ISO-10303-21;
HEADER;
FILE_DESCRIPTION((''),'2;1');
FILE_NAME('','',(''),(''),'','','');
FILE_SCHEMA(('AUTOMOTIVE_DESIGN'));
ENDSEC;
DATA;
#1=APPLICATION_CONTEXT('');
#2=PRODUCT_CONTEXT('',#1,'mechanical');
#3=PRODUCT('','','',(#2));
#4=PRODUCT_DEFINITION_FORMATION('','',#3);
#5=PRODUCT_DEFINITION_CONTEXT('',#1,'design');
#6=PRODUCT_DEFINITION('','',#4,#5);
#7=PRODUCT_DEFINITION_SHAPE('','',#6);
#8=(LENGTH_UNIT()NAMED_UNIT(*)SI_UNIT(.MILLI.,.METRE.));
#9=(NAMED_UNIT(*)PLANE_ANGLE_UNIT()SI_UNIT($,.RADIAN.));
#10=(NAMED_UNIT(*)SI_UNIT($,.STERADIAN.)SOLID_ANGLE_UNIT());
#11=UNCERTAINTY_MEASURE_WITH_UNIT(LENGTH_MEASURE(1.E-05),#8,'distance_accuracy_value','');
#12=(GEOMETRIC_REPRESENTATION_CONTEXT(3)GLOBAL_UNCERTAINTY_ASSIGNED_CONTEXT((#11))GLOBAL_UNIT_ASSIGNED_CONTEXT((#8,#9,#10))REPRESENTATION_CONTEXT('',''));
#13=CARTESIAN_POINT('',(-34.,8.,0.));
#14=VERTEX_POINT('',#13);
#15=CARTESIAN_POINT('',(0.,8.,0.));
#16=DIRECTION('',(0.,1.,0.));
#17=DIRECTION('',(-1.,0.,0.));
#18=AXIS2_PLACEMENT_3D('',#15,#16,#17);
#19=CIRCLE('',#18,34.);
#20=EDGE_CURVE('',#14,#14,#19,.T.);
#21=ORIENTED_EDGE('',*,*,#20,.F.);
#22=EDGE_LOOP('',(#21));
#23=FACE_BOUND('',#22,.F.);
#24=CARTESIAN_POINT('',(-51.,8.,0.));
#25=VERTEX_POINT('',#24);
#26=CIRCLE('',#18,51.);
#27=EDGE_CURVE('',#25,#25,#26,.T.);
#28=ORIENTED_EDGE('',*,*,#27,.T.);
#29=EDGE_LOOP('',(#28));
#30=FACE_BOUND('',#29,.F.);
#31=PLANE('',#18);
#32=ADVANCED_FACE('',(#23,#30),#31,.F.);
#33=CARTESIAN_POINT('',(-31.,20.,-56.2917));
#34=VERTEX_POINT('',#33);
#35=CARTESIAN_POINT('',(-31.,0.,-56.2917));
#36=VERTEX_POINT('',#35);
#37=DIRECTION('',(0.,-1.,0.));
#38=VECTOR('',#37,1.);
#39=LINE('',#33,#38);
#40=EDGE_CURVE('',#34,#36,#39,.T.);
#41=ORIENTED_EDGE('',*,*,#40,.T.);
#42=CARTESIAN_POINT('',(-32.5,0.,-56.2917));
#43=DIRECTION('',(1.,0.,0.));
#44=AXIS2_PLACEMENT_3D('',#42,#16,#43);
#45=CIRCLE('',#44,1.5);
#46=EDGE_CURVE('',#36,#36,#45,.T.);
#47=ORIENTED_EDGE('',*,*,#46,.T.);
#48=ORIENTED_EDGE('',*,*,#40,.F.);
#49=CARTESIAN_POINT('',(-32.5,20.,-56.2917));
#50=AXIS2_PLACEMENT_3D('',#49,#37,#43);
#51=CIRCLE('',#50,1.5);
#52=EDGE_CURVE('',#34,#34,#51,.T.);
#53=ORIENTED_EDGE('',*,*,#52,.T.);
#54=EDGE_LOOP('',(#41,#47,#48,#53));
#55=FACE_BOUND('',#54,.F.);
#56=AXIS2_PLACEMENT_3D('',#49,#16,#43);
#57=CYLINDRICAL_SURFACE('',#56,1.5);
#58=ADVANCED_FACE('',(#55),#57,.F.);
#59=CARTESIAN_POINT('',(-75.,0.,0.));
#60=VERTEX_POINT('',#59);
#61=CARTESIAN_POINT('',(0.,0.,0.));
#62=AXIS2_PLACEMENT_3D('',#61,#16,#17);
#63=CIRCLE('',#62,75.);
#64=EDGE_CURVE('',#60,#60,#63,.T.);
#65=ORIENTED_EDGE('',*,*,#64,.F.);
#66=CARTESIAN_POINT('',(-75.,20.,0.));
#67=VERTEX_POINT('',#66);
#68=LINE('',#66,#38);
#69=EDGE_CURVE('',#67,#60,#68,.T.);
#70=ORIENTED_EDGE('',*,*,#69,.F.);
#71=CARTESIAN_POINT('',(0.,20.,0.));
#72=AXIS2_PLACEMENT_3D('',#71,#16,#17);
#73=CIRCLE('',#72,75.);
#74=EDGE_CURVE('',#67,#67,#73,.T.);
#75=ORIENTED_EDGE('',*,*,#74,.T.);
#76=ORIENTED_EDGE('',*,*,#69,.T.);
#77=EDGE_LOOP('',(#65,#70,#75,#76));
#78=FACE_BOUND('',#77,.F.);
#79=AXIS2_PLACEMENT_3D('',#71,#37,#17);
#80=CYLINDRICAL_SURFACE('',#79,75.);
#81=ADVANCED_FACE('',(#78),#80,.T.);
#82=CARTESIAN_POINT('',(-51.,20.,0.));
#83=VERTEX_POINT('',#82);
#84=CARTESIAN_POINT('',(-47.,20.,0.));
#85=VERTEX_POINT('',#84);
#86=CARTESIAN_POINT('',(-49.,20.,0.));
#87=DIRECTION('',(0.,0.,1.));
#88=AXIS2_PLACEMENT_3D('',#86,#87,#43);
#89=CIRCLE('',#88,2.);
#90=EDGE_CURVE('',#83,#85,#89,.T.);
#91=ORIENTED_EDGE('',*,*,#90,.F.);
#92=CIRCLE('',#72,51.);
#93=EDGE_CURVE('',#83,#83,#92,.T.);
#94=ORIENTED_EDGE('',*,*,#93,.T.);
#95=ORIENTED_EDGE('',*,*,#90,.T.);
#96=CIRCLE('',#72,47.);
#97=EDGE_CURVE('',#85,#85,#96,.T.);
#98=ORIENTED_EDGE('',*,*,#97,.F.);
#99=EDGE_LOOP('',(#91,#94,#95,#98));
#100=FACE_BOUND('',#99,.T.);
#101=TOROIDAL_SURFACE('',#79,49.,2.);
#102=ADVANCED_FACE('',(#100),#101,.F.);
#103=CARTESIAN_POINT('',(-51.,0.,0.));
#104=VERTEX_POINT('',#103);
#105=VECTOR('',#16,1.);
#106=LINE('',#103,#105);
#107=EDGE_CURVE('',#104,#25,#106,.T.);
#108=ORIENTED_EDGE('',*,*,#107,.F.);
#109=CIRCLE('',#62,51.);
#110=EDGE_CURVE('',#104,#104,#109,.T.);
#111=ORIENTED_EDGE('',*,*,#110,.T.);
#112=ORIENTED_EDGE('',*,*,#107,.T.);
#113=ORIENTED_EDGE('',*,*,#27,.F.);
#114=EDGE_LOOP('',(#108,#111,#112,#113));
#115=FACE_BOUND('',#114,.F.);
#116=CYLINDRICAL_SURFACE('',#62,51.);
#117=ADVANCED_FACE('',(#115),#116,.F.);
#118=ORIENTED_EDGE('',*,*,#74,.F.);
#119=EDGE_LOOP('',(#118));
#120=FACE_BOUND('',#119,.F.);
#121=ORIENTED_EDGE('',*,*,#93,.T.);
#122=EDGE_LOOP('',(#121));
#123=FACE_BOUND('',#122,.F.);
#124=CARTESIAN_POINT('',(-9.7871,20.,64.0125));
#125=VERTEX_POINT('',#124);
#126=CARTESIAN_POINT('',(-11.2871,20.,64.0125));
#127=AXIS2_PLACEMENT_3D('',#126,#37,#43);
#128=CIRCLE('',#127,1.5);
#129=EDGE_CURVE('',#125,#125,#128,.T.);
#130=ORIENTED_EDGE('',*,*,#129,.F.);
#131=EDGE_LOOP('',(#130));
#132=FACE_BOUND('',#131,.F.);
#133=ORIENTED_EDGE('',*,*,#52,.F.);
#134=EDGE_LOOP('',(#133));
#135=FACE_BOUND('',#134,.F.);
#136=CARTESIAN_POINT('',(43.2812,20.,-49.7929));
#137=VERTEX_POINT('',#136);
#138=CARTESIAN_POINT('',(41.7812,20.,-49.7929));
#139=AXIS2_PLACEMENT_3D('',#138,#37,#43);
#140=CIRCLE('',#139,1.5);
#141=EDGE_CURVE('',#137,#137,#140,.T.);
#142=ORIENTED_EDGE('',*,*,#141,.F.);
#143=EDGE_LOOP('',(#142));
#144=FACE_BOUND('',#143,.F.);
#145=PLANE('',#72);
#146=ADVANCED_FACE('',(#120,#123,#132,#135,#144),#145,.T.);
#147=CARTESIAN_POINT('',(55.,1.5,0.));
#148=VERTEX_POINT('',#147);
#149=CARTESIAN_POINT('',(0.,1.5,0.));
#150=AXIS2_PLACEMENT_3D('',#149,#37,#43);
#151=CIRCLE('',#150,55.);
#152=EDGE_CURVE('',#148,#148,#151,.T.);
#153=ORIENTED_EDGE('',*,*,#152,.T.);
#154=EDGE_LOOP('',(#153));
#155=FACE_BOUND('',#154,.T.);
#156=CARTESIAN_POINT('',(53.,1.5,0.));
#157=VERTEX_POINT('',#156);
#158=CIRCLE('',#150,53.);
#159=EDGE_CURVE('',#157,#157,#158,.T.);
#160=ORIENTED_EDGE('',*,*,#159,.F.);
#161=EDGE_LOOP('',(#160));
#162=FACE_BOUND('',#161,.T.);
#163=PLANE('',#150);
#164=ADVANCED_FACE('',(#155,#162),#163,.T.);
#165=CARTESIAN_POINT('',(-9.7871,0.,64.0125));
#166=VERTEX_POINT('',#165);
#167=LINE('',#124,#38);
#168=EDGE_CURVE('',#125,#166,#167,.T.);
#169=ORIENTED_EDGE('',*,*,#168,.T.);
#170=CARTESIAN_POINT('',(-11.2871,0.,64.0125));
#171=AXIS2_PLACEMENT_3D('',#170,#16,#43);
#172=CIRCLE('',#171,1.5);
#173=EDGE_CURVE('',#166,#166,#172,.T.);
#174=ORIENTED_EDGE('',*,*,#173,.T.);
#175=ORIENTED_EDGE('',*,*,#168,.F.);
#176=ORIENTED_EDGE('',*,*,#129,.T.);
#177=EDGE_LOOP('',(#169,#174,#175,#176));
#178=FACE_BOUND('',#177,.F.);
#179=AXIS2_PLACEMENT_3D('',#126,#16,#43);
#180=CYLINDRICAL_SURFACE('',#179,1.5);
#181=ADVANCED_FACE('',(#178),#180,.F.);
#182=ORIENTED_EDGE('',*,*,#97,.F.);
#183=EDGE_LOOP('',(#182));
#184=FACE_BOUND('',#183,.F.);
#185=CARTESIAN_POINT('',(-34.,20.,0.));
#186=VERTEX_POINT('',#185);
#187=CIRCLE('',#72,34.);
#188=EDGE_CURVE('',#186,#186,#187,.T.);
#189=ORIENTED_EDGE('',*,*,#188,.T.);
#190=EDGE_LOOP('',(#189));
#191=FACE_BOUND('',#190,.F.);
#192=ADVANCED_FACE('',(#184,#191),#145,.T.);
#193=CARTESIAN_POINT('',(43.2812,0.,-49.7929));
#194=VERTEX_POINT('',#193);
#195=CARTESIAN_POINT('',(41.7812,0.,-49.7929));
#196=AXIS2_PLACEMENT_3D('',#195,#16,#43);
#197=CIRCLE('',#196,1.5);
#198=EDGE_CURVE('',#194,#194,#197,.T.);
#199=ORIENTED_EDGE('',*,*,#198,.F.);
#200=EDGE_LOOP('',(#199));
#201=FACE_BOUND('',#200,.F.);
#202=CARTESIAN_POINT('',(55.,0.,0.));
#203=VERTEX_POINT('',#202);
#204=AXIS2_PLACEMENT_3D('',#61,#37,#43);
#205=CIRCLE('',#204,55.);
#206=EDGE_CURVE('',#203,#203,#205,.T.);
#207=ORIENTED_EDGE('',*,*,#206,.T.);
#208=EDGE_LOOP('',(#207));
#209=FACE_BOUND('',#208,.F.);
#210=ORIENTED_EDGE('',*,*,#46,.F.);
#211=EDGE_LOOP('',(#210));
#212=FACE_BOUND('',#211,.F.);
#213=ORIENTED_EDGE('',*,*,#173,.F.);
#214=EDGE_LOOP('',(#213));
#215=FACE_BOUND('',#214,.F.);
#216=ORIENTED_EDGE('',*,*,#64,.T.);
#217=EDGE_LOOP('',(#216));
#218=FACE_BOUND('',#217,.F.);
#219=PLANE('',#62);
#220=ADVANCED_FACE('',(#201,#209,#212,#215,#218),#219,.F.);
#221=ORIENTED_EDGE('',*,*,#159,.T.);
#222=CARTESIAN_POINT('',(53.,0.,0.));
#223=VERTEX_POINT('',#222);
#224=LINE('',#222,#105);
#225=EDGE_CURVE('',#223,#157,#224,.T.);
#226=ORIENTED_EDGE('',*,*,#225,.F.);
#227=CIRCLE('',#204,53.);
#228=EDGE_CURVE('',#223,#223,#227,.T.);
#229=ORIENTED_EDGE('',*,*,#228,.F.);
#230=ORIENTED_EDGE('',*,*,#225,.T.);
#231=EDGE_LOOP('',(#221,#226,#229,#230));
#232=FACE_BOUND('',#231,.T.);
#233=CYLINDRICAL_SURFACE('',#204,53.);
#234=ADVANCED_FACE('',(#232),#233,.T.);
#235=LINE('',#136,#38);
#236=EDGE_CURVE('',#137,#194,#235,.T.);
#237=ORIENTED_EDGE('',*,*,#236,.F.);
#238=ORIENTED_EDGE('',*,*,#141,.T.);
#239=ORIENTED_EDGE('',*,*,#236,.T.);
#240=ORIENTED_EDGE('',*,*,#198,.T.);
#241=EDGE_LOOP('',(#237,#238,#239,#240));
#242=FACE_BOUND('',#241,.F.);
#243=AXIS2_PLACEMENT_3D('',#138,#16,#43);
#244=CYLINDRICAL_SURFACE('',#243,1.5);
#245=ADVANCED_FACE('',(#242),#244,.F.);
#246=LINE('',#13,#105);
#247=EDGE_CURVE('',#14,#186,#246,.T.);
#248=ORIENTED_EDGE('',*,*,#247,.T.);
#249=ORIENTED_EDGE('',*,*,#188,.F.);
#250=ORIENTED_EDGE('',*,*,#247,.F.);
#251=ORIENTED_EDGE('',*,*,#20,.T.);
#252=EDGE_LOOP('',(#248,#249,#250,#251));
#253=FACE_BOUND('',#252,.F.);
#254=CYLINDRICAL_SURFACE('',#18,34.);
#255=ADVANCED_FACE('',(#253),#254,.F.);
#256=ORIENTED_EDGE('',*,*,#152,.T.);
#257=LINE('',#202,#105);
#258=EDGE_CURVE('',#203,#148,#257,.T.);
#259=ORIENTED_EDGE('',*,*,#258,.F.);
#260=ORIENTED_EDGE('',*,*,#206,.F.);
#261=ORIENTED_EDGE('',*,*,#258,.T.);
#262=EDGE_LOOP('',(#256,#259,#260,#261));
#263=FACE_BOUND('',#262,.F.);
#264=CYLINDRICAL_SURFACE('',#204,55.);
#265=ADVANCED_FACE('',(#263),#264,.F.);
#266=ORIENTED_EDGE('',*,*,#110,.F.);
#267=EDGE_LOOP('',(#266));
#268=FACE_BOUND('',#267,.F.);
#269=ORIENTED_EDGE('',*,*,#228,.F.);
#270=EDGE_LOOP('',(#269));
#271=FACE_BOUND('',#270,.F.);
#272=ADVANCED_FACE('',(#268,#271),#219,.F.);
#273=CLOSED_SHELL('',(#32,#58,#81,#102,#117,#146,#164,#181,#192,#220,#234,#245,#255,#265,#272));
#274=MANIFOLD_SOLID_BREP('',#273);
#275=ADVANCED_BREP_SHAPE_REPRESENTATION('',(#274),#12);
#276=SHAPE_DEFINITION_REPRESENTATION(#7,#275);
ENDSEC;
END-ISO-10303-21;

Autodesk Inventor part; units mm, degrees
ref_plane "YZ Plane" through (0, 0, 0) normal (1, 0, 0) x (0, 1, 0)
ref_plane "XZ Plane" through (0, 0, 0) normal (0, 1, 0) x (-1, 0, 0)
ref_plane "XY Plane" through (0, 0, 0) normal (0, 0, 1) x (1, 0, 0)
sketch "Эскиз1" plane through (0, 0, 0) normal (0, 0, 1) x (1, 0, 0)
  line L0 (0, 0) -> (0, 8)
  line L1 (0, 8) -> (0, 16)
  line L2 (0, 0) -> (0, 20)
  line L3 (0, 20) -> (-75, 20)
  line L4 (-75, 20) -> (-75, 0)
  line L5 (-75, 0) -> (-51, 0)
  line L6 (-51, 0) -> (-51, 8)
  line L7 (-51, 8) -> (-34, 8)
  line L8 (-34, 8) -> (-34, 20)
  line L9 (0, 20) -> (-49, 20)
  line L10 (-49, 20) -> (-49, 20)
  circle A0 centre (-49, 20) radius 2
  point P0 (-47, 20)
  point P1 (-51, 20)
  dimension "d22" = 20
  dimension "d23" = 75
  dimension "d26" = 24
  dimension "d27" = 8
  dimension "d28" = 17
  dimension "d29" = 49
  dimension "d30" = 0
  dimension "d31" = 4
revolve "Вращение1" add sketch "Эскиз1" angle 360 about axis through (0, 8, 0) along (0, 1, 0) contours L8 L7 L6 L5 L4 L3 A0
sketch "Эскиз2" plane through (0, 20, 0) normal (0, 1, 0) x (1, 0, 0)
  line L0 (0, 0) -> (41.7812, 49.7929)
  line L1 (0, 0) -> (65, 0) construction
  line L2 (0, 0) -> (-32.5, 56.2917)
  line L3 (0, 0) -> (65, 0) construction
  line L4 (0, 0) -> (-11.2871, -64.0125)
  line L5 (0, 0) -> (65, 0) construction
  circle A0 centre (-32.5, 56.2917) radius 1.5
  circle A1 centre (41.7812, 49.7929) radius 1.5
  circle A2 centre (-11.2871, -64.0125) radius 1.5
  dimension "d11" = 65
  dimension "d12" = 50
  dimension "d13" = 65
  dimension "d14" = 120
  dimension "d15" = 65
  dimension "d16" = 100
  dimension "d17" = 3
  dimension "d18" = 3
  dimension "d19" = 3
extrude "Выдавливание1" cut sketch "Эскиз2" against normal through all
sketch "Эскиз3" plane through (0, 0, 0) normal (0, -1, 0) x (1, 0, 0)
  circle A0 centre (0, 0) radius 53
  circle A1 centre (0, 0) radius 55
  dimension "d32" = 106
  dimension "d33" = 110
extrude "Выдавливание2" cut sketch "Эскиз3" against normal blind 1.5
properties part number "Корпус дросселя" material "Чугун, серый"
